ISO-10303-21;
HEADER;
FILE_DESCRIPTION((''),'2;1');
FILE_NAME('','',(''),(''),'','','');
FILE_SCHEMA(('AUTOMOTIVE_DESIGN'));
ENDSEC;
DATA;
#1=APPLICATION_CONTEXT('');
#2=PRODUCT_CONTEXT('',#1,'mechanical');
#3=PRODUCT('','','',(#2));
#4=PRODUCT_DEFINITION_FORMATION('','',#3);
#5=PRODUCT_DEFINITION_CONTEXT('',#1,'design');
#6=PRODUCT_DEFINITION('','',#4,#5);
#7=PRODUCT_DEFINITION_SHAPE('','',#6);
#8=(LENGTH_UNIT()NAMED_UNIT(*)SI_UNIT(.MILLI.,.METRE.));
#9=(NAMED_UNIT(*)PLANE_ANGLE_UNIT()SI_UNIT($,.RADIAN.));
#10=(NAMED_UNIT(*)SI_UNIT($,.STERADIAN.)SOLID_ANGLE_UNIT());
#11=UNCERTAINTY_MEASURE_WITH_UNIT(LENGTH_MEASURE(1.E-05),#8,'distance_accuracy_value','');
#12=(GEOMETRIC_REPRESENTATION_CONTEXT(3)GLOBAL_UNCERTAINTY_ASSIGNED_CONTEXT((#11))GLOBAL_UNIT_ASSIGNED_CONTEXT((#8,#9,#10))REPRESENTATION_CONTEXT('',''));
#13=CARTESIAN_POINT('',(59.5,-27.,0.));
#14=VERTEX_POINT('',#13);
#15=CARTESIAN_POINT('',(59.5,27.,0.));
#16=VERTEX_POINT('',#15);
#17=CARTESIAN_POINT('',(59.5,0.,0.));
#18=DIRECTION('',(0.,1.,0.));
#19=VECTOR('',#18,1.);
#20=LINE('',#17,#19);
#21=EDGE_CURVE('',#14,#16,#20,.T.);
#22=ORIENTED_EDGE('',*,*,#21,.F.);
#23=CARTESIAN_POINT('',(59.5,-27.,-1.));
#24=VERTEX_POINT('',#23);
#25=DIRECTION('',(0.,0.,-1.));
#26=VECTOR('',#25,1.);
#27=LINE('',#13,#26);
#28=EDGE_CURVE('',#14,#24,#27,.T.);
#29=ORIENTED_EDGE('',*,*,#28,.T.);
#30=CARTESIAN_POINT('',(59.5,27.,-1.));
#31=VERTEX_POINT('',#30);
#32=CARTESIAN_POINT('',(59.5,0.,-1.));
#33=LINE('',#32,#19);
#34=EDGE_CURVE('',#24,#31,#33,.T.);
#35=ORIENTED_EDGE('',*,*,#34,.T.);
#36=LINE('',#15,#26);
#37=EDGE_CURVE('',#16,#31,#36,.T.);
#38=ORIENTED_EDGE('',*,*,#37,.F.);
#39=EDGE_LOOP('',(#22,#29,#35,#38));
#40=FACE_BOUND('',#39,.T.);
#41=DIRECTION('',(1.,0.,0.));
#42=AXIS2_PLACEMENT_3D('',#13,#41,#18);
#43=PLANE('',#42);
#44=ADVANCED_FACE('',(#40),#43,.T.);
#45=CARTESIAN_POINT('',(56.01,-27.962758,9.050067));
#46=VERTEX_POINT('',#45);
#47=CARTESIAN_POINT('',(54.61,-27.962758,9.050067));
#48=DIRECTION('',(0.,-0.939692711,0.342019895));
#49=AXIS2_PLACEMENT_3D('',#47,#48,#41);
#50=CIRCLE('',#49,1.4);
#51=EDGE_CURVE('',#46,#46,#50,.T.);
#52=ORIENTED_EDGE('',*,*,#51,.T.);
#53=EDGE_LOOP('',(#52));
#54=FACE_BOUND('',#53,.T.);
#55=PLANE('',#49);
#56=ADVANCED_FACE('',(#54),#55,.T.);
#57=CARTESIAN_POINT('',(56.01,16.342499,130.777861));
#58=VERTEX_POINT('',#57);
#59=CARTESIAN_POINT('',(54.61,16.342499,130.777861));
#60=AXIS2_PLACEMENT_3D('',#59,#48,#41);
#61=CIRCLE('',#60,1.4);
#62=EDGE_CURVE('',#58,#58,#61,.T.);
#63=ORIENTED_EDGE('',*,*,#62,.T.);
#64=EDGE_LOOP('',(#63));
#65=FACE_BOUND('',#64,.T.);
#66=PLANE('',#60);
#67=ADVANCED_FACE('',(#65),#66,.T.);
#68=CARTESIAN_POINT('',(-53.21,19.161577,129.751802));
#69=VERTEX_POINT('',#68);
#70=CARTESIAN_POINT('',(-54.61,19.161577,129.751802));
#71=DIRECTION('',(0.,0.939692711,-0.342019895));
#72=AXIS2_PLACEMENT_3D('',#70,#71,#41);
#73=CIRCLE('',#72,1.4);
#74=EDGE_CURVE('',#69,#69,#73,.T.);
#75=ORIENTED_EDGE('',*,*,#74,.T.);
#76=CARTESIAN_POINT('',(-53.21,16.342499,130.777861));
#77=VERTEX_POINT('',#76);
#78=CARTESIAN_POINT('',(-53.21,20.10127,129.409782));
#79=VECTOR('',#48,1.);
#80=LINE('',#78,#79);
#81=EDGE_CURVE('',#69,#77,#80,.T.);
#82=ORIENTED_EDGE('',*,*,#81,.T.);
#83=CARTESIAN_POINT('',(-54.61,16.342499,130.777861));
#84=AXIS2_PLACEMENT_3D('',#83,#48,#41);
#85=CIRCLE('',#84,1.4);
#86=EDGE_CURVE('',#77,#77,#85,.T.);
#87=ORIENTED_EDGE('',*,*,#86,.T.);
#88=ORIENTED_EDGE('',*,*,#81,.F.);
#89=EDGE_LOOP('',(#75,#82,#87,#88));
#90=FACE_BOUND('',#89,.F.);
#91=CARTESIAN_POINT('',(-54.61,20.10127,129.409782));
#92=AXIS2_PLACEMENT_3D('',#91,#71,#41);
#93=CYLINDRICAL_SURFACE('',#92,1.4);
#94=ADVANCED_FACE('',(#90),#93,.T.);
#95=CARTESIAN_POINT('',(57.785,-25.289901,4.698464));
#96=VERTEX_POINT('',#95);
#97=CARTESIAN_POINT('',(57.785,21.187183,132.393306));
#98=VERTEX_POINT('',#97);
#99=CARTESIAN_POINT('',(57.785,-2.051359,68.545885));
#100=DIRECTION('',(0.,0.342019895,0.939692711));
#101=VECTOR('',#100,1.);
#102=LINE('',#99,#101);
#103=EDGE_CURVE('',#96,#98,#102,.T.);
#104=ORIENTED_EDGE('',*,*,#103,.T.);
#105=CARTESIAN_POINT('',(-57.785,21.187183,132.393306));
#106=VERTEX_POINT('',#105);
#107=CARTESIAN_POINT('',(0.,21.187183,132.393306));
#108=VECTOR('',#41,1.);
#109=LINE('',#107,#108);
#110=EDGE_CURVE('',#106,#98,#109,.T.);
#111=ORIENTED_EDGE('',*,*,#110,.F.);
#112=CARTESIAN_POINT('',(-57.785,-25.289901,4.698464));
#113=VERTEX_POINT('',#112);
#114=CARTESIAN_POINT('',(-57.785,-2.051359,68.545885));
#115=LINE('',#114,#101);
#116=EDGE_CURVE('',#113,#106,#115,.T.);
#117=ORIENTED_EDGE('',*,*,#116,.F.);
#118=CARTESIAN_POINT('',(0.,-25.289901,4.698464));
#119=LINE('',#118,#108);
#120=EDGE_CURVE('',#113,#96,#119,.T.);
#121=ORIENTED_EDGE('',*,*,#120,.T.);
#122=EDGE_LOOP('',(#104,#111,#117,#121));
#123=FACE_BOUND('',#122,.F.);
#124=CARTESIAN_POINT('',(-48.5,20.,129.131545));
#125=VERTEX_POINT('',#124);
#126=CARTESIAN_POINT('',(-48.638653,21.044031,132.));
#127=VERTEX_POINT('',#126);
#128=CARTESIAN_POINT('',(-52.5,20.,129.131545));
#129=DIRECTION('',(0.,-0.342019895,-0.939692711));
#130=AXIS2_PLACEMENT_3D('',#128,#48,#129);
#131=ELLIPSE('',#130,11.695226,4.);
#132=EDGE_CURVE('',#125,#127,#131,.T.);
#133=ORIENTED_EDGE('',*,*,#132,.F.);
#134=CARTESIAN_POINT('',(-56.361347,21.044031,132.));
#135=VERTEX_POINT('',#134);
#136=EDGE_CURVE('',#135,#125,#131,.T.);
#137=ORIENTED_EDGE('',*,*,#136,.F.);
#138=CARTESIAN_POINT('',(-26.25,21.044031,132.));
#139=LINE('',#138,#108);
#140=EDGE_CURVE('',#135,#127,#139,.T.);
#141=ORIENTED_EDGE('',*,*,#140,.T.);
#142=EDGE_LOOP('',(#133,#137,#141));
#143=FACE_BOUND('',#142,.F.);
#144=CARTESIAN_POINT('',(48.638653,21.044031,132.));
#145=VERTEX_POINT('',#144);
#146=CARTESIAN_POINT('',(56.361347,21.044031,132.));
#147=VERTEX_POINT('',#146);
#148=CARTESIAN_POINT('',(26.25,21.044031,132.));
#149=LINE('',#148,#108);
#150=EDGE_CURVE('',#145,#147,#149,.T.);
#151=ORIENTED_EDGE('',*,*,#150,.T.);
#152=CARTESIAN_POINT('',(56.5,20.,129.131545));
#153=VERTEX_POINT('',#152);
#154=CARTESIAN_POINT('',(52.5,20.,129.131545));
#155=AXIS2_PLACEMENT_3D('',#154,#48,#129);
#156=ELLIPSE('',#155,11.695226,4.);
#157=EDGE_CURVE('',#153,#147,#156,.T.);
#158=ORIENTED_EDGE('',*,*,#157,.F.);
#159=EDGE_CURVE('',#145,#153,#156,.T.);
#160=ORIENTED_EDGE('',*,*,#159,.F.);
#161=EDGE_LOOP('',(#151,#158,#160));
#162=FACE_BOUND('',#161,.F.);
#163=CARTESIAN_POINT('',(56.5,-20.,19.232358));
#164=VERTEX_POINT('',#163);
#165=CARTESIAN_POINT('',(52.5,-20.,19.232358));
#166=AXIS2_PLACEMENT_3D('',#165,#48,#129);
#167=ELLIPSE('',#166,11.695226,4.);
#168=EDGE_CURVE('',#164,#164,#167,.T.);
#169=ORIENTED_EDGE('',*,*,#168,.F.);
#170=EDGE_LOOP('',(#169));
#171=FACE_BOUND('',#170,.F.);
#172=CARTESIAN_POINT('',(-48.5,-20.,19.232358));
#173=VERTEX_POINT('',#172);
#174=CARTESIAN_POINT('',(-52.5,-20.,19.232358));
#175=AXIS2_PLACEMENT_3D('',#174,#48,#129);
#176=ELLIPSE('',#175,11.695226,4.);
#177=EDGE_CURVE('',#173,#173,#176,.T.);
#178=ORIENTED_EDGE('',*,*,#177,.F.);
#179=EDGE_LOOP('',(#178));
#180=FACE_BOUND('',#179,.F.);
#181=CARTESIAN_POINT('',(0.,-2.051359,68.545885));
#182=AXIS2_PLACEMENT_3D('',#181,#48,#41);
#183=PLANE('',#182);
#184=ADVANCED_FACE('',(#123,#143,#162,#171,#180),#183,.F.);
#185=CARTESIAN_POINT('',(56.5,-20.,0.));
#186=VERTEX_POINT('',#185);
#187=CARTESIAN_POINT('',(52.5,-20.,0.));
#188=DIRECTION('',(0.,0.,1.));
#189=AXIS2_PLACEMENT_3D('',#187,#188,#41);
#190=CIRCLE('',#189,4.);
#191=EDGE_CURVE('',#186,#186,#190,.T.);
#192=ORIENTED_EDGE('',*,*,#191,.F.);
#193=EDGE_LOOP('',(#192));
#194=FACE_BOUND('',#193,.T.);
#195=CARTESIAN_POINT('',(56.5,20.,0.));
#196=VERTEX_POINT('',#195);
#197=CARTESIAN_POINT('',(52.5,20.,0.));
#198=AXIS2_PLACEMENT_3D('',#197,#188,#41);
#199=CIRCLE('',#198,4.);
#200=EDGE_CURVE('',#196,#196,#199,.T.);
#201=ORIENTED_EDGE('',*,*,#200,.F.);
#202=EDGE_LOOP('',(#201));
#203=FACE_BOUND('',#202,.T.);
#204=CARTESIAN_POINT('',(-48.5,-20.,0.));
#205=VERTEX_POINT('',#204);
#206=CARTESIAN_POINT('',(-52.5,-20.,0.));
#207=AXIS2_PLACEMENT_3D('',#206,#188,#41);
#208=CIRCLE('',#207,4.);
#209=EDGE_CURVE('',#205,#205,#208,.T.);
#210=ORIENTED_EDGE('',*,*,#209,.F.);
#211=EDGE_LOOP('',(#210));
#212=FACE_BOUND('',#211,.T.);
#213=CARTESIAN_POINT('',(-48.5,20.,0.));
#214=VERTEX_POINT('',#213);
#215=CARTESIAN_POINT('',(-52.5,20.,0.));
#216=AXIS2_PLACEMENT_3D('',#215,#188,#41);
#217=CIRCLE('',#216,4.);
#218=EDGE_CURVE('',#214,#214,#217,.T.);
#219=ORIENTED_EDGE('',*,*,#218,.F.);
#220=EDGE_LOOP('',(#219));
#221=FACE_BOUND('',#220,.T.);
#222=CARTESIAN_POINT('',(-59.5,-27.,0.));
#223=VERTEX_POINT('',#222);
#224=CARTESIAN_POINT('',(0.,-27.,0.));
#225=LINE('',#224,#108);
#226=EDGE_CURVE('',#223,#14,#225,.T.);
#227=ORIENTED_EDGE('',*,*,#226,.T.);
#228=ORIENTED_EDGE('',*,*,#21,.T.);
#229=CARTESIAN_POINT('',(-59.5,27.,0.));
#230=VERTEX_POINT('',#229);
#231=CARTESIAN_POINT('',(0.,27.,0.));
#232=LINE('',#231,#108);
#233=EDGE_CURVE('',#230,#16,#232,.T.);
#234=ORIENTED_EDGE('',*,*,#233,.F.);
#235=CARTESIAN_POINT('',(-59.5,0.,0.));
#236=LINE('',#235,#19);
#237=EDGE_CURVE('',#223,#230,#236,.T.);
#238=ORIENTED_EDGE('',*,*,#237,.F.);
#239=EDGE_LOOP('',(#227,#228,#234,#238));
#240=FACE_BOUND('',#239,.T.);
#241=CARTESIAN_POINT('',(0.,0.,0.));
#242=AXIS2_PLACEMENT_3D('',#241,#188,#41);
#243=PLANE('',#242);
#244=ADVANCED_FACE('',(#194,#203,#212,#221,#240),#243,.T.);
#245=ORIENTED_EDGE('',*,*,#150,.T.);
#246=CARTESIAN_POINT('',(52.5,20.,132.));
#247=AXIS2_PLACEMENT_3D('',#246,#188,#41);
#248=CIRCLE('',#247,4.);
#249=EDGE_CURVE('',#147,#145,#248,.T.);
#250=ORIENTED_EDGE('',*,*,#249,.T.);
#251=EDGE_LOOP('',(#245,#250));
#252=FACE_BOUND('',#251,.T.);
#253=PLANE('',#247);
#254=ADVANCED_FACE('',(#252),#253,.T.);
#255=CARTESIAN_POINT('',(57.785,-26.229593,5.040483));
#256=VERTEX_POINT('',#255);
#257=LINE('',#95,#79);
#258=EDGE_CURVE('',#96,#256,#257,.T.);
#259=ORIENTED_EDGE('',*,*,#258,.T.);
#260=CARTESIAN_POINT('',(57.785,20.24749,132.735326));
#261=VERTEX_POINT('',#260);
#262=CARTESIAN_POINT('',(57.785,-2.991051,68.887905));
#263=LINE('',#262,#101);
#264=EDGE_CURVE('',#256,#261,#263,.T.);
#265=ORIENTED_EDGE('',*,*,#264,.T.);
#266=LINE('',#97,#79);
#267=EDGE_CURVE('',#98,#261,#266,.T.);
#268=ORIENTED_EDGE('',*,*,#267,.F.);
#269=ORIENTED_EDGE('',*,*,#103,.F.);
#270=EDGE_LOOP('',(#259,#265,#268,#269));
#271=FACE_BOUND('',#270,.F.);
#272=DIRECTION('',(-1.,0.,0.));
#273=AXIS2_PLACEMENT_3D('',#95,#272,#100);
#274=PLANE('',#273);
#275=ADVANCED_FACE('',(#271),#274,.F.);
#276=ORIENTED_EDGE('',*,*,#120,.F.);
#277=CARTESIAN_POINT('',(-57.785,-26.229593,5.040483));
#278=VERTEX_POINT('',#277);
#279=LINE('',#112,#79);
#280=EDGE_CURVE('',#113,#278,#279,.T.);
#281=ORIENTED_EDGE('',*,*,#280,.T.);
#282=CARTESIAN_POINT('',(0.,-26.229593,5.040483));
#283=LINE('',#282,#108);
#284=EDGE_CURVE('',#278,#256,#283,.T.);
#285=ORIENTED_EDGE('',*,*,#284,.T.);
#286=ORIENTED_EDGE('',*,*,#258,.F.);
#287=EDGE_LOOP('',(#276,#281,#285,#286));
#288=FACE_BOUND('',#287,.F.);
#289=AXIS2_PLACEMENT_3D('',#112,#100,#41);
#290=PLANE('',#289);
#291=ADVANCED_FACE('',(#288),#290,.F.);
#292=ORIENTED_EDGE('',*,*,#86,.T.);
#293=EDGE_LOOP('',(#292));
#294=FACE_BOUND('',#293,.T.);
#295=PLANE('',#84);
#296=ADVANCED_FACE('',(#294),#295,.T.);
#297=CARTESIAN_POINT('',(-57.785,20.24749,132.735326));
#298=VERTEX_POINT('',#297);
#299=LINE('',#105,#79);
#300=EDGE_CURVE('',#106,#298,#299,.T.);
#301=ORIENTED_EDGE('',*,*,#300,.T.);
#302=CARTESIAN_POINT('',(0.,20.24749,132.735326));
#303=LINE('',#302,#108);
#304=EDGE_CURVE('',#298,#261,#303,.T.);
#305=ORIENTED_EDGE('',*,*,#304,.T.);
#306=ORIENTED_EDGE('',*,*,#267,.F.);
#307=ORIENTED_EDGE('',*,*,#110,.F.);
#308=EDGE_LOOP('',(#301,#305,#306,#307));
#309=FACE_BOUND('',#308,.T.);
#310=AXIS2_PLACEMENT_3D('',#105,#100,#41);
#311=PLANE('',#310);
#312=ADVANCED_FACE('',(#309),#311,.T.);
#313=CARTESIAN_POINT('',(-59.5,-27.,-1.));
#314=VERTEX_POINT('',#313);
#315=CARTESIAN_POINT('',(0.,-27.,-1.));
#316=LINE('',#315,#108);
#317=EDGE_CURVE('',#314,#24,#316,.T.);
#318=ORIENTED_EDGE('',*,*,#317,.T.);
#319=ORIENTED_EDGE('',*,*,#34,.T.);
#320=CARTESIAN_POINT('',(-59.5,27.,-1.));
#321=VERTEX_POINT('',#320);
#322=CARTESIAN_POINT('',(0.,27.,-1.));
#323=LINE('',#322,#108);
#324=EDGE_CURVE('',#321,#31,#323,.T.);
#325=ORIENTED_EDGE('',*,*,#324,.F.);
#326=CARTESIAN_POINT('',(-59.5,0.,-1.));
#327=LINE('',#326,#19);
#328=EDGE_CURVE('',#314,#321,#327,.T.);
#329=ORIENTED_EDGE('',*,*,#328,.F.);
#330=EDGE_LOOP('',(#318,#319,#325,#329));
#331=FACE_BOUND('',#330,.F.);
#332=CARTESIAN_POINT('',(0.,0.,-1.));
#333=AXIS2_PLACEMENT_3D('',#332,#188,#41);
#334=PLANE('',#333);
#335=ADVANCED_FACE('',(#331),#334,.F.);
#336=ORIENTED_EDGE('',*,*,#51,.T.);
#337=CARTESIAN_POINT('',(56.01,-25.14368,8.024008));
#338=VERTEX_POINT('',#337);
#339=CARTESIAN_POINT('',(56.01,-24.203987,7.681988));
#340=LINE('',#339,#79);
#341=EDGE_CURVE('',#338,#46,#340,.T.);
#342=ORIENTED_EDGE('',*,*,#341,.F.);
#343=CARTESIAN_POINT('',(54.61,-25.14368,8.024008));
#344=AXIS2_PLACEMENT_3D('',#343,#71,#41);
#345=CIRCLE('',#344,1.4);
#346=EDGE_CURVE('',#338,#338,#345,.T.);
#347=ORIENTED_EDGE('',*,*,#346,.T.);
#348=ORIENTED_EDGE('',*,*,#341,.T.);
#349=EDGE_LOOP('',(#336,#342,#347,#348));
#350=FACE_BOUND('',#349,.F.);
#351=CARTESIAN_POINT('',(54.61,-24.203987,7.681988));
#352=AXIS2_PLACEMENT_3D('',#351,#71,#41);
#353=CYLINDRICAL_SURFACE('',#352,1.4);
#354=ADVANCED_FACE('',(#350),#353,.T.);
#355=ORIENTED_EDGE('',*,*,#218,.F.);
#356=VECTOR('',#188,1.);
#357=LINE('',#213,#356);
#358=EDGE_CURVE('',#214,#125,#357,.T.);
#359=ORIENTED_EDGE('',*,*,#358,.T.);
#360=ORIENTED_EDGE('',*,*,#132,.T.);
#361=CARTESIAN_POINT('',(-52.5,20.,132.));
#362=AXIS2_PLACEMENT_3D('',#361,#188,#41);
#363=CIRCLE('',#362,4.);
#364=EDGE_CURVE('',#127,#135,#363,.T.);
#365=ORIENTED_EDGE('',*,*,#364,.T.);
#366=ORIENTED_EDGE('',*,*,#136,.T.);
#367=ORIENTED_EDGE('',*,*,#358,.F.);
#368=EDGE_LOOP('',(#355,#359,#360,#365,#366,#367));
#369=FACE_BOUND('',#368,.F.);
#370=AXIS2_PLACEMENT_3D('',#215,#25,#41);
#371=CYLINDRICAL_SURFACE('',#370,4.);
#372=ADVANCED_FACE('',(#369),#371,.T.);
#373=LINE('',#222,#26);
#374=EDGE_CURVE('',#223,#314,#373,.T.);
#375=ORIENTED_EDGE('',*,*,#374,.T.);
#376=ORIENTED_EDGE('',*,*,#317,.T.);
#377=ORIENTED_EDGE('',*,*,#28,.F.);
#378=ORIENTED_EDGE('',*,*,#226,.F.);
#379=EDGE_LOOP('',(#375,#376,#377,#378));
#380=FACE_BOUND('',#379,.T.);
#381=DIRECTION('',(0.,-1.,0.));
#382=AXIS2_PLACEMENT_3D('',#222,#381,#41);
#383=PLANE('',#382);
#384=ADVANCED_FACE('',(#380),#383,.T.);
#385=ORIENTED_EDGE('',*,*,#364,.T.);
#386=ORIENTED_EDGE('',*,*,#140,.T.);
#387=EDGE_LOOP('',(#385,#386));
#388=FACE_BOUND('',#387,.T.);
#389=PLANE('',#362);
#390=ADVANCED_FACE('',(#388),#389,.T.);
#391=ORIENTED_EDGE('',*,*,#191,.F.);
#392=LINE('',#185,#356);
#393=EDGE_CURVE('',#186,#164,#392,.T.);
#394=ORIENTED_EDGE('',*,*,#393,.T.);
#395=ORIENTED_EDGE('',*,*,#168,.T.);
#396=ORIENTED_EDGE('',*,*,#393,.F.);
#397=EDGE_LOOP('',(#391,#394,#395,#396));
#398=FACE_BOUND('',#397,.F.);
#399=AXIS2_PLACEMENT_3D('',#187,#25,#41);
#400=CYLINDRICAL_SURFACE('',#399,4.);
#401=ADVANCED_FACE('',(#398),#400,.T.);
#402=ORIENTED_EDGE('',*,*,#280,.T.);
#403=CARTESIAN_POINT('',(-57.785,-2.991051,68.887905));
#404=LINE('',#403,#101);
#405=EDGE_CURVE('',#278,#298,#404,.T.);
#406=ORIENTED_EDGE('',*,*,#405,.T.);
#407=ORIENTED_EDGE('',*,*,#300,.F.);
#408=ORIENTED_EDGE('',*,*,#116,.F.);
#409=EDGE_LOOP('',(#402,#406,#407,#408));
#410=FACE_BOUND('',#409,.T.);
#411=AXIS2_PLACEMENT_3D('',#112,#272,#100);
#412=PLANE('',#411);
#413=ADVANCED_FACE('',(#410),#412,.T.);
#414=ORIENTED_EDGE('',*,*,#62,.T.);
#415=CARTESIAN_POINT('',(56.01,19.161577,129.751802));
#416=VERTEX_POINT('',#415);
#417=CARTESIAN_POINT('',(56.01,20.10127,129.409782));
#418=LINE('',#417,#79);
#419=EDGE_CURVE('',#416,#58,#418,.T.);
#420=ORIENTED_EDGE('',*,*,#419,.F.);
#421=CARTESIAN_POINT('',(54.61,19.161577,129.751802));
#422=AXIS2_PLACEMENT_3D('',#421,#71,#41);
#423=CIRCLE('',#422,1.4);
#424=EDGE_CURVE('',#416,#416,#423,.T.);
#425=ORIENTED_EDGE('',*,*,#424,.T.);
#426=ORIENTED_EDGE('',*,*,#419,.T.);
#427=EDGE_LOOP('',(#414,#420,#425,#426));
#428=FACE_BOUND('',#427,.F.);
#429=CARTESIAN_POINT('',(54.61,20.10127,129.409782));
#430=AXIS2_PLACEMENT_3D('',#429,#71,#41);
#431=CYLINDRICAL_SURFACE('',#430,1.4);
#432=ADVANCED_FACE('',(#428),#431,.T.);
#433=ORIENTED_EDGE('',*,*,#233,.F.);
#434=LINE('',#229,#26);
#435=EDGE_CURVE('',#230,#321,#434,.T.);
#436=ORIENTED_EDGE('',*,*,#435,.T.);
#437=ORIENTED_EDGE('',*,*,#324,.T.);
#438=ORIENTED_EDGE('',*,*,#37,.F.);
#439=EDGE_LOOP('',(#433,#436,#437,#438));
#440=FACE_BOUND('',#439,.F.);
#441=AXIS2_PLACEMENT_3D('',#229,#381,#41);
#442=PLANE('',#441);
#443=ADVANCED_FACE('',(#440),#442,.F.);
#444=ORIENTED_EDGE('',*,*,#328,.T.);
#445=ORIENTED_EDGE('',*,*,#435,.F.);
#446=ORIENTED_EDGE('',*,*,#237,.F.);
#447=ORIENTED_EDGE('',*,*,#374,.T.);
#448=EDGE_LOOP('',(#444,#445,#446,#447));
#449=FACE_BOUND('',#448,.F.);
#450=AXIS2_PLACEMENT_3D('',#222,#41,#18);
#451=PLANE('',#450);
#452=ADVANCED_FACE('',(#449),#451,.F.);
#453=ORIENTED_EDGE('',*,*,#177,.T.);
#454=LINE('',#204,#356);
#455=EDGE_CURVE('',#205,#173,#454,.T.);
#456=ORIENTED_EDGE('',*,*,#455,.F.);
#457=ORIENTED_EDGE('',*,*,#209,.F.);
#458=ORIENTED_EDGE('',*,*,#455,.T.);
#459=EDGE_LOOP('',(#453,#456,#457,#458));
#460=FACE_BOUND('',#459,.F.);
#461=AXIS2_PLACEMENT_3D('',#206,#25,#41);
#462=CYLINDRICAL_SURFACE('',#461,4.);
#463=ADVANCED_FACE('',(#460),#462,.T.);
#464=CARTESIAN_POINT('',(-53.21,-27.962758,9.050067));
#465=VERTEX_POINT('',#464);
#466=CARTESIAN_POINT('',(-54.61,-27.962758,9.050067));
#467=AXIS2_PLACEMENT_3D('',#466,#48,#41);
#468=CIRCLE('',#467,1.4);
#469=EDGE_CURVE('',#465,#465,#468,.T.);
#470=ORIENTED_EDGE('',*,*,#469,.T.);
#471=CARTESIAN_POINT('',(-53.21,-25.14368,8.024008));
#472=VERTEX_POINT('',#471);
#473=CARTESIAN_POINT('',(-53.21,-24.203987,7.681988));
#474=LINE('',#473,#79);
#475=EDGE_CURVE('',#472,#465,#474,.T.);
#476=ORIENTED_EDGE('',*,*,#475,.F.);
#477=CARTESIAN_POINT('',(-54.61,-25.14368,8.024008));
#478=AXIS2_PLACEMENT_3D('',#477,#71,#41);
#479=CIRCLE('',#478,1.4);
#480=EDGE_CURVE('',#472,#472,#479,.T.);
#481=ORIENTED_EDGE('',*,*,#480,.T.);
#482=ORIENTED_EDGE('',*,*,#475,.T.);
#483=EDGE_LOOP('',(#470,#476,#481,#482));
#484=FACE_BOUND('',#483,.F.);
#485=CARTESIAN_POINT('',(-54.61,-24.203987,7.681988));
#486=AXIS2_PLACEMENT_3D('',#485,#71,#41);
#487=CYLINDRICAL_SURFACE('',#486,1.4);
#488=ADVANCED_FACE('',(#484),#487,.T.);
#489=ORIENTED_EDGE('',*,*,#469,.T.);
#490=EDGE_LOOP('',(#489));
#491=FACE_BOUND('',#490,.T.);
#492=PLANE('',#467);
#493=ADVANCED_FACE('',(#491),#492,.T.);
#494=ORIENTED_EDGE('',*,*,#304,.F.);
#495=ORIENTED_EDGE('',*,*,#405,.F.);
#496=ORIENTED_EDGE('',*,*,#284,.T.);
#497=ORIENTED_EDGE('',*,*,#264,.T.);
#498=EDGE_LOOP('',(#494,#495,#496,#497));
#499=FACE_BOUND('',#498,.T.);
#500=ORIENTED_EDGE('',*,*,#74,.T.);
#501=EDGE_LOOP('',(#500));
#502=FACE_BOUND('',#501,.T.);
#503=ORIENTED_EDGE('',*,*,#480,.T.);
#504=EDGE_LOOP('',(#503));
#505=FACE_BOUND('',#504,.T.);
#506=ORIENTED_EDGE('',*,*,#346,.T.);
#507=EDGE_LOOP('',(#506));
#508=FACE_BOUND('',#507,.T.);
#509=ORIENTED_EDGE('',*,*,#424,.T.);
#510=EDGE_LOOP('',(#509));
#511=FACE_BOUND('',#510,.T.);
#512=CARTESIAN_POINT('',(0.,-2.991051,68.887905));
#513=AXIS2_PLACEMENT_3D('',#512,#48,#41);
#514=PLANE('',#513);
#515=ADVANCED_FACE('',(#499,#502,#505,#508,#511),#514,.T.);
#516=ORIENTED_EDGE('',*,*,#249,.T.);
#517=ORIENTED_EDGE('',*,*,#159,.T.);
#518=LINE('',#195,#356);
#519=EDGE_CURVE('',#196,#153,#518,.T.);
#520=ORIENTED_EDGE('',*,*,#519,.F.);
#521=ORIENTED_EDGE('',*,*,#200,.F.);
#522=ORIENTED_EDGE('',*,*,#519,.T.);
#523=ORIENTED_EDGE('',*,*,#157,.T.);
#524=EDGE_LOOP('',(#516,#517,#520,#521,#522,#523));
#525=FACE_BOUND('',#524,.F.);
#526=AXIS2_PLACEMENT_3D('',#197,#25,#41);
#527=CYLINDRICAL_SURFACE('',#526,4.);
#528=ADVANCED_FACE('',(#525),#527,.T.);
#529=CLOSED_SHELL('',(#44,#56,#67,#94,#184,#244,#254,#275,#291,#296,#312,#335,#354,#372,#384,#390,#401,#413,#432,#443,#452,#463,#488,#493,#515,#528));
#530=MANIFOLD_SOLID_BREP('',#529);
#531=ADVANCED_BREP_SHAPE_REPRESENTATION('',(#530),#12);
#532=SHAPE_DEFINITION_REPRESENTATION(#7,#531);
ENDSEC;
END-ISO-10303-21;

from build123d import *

# Parameters (mm, degrees)
SKETCH001_W  = 119
SKETCH001_H  = 54
PAD_DEPTH    = 1
SKETCH_R     = 4
PAD001_DEPTH = 132
SKETCH002_W  = 115.57
SKETCH002_H  = 135.89
POCKET_DEPTH = 50
PAD002_DEPTH = 1
SKETCH003_R  = 1.4
PAD003_DEPTH = 4


with BuildPart() as part:
    # Sketch001 → Pad (new body)
    with BuildSketch(Plane.XY):
        Rectangle(SKETCH001_W, SKETCH001_H)
    extrude(amount=-PAD_DEPTH)

    # Sketch → Pad001 (join)
    with BuildSketch(Plane.XY):
        with Locations((-52.5, 20)):
            Circle(SKETCH_R)
        with Locations((52.5, 20)):
            Circle(SKETCH_R)
        with Locations((52.5, -20)):
            Circle(SKETCH_R)
        with Locations((-52.5, -20)):
            Circle(SKETCH_R)
    extrude(amount=PAD001_DEPTH)

    # Sketch002 (on DatumPlane) → Pocket (cut)
    with BuildSketch(Plane(origin=(0, -27, 0), x_dir=(1, 0, 0), z_dir=(0, -0.939693, 0.34202))):
        with Locations((0, 72.945)):
            Rectangle(SKETCH002_W, SKETCH002_H)
    extrude(amount=POCKET_DEPTH, mode=Mode.SUBTRACT)

    # Sketch002 (on DatumPlane) → Pad002 (join)
    with BuildSketch(Plane(origin=(0, -27, 0), x_dir=(1, 0, 0), z_dir=(0, -0.939693, 0.34202))):
        with Locations((0, 72.945)):
            Rectangle(SKETCH002_W, SKETCH002_H)
    extrude(amount=PAD002_DEPTH)

    # Sketch003 (on DatumPlane) → Pad003 (join)
    with BuildSketch(Plane(origin=(0, -27, 0), x_dir=(1, 0, 0), z_dir=(0, -0.939693, 0.34202))):
        with Locations((-54.61, 137.715)):
            Circle(SKETCH003_R)
        with Locations((54.61, 137.715)):
            Circle(SKETCH003_R)
        with Locations((54.61, 8.175)):
            Circle(SKETCH003_R)
        with Locations((-54.61, 8.175)):
            Circle(SKETCH003_R)
    extrude(amount=PAD003_DEPTH)


solid = part.part
